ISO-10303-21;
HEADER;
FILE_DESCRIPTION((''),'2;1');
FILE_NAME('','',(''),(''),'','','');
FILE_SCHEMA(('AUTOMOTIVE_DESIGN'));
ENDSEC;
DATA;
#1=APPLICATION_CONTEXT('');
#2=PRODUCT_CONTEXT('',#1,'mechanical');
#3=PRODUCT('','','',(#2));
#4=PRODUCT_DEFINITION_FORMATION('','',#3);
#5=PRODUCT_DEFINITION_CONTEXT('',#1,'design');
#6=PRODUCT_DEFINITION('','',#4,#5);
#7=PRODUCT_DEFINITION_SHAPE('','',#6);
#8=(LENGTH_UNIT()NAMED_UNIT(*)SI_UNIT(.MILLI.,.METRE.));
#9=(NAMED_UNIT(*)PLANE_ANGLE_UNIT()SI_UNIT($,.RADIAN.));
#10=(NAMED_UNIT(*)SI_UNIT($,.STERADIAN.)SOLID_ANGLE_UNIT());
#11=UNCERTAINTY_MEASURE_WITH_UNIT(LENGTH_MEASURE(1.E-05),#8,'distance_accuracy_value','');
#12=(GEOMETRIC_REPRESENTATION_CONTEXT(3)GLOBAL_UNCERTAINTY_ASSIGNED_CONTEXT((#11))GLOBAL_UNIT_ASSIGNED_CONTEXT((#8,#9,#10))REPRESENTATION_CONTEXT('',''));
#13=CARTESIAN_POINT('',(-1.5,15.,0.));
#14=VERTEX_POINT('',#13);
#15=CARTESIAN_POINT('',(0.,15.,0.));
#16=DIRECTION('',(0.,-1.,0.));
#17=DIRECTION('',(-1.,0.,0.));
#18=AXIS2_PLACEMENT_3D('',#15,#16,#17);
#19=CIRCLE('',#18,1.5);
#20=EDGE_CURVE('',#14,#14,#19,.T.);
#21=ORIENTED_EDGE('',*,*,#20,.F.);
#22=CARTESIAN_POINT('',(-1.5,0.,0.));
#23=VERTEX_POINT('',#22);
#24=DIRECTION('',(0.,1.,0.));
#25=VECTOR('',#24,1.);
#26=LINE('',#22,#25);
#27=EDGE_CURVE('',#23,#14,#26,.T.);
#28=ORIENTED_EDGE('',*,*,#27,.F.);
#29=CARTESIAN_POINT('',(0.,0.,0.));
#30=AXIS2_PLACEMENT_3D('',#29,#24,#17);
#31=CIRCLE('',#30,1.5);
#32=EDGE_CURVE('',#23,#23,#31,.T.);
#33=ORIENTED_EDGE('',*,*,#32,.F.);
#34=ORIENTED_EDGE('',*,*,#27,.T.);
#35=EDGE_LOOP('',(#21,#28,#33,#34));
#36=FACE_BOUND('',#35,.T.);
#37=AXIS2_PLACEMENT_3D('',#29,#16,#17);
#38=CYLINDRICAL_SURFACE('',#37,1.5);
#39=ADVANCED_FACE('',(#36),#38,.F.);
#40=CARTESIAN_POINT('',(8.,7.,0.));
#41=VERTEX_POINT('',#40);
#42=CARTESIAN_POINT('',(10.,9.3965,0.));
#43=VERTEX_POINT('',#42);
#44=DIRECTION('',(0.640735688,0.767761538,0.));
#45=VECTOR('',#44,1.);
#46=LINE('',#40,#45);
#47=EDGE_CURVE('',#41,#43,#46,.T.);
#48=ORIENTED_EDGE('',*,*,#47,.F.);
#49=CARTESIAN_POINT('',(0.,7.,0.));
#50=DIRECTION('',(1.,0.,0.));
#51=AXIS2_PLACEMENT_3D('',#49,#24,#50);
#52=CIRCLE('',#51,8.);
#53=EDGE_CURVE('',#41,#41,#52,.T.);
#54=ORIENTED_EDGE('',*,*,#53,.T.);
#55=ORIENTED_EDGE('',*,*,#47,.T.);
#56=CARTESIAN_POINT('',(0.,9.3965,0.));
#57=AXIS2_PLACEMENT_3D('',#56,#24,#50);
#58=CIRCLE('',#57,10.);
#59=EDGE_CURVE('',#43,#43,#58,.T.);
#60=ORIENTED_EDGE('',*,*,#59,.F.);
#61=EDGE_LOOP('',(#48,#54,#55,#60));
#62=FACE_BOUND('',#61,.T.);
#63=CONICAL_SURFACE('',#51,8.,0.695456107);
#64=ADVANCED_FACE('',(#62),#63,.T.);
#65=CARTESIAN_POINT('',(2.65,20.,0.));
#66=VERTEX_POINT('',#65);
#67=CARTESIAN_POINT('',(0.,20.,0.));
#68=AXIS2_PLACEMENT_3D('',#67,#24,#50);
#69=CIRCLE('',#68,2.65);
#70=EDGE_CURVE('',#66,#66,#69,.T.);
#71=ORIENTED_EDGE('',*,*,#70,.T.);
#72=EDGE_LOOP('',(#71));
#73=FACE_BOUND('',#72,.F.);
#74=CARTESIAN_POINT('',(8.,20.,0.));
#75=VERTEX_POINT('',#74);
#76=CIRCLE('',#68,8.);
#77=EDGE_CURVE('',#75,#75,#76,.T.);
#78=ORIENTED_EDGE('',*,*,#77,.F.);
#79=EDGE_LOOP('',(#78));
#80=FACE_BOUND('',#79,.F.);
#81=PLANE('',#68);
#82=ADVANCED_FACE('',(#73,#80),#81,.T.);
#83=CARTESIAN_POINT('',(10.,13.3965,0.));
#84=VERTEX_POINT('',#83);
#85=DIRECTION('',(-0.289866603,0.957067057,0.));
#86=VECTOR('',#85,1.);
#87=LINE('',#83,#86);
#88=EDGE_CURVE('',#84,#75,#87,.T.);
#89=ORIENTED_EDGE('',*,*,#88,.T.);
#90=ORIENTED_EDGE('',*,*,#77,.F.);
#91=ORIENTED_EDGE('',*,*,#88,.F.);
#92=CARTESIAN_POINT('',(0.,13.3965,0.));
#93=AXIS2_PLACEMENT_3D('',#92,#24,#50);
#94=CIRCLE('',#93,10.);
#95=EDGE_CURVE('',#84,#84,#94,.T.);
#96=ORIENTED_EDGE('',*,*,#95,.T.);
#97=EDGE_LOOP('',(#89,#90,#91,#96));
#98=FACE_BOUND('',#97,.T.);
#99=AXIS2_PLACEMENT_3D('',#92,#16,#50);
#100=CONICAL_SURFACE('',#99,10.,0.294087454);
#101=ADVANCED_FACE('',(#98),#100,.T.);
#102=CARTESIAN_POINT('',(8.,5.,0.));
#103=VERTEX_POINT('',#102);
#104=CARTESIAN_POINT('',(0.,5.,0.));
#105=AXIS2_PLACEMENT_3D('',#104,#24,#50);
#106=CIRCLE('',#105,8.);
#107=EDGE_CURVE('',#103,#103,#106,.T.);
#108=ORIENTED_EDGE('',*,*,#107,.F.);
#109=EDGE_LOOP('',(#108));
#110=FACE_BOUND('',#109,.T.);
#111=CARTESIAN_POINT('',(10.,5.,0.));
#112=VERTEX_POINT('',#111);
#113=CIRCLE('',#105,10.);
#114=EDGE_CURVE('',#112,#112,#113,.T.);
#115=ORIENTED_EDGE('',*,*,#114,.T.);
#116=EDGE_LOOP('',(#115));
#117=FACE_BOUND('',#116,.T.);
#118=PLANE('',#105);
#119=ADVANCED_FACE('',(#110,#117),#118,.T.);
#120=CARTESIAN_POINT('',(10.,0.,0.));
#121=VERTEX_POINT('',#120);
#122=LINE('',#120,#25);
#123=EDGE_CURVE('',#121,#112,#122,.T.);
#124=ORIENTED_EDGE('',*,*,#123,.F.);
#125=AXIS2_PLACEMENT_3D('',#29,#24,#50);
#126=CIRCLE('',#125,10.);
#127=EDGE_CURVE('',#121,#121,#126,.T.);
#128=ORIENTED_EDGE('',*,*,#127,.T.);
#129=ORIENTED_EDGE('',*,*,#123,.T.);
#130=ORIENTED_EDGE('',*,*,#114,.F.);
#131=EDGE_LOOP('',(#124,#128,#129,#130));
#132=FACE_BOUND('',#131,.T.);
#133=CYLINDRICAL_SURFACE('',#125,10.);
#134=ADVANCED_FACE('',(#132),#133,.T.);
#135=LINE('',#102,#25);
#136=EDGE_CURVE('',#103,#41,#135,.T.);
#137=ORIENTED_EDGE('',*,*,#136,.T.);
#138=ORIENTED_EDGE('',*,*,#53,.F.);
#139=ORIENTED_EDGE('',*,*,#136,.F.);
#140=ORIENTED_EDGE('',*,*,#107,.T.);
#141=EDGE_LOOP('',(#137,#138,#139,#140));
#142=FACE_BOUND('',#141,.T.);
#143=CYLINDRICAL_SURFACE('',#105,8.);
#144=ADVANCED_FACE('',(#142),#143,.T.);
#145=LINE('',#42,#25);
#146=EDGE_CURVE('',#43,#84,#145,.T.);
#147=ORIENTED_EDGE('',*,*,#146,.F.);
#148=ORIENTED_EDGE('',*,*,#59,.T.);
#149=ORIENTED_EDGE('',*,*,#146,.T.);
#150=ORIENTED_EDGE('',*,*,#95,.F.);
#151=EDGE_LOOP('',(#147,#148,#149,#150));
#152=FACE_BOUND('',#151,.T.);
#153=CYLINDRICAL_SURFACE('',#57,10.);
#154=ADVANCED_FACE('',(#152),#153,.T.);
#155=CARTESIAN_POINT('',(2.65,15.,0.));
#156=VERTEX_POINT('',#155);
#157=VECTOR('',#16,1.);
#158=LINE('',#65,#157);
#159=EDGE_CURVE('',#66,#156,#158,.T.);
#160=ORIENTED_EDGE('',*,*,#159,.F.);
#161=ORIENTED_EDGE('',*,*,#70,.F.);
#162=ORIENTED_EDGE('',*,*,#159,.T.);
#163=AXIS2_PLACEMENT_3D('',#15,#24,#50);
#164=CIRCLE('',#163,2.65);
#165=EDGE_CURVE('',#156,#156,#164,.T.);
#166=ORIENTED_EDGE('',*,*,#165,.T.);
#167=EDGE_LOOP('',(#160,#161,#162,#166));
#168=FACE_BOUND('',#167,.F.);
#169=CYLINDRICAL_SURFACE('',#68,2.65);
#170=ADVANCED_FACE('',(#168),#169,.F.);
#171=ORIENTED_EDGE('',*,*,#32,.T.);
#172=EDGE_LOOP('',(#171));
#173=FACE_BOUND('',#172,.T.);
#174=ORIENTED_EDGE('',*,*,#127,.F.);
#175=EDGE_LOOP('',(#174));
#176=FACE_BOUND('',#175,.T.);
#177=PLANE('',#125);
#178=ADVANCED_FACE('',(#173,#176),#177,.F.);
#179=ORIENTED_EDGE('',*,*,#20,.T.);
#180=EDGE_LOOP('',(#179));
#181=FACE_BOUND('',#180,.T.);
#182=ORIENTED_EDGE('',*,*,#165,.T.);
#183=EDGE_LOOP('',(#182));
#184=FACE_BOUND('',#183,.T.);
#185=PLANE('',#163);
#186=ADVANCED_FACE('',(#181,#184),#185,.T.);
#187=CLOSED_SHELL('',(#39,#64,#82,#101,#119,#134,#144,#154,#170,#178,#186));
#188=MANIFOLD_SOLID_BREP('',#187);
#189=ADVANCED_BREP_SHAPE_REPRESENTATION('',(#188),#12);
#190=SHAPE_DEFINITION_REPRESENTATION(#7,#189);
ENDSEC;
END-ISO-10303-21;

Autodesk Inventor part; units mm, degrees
ref_plane "YZ Plane" through (0, 0, 0) normal (1, 0, 0) x (0, 1, 0)
ref_plane "XZ Plane" through (0, 0, 0) normal (0, 1, 0) x (-1, 0, 0)
ref_plane "XY Plane" through (0, 0, 0) normal (0, 0, 1) x (1, 0, 0)
sketch "Sketch3" plane through (0, 0, 0) normal (0, 0, 1) x (1, 0, 0)
  line L0 (0, 0) -> (10, 0)
  line L1 (0, 0) -> (0, 20)
  line L2 (0, 20) -> (8, 20)
  line L3 (10, 0) -> (10, 5)
  line L4 (10, 5) -> (8, 5)
  line L5 (8, 5) -> (8, 7)
  line L6 (8, 7) -> (10, 9.3965)
  line L7 (10, 9.3965) -> (10, 13.3965)
  line L8 (10, 13.3965) -> (8, 20)
  dimension "d17" = 10
  dimension "d18" = 20
  dimension "d19" = 8
  dimension "d40" = 5
  dimension "d43" = 2
  dimension "d44" = 4
  dimension "d45" = 2
revolve "Revolution1" add sketch "Sketch3" angle 360 about axis through (0, 0, 0) along (0, 1, 0)
sketch "Sketch4" plane through (0, 0, 0) normal (0, 1, 0) x (-1, 0, 0)
  circle A0 centre (0, 0) radius 1.5
  dimension "d27" = 3
extrude "Extrusion3" cut sketch "Sketch4" along normal through all
sketch "Sketch5" plane through (0, 20, 0) normal (0, 1, 0) x (1, 0, 0)
  circle A0 centre (0, 0) radius 2.65
  dimension "d30" = 5.3
extrude "Extrusion4" cut sketch "Sketch5" against normal blind 5
sketch "Sketch6" plane through (0, 0, 0) normal (0, -1, 0) x (1, 0, 0)
  circle A0 centre (-6, 0) radius 1.5
  circle A1 centre (6, 0) radius 1.5
  circle A2 centre (0, 0) radius 1.5 projected
  line L0 (-6, 0) -> (0, 0) construction
  line L1 (0, 0) -> (6, 0) construction
  dimension "d33" = 3
  dimension "d35" = 3
  dimension "d47" = 6
extrude "Extrusion5" [suppressed]
equation "\"d35\" = d33"
equation "\"d47\" = 2 * d33"
properties part number "modular-post"
